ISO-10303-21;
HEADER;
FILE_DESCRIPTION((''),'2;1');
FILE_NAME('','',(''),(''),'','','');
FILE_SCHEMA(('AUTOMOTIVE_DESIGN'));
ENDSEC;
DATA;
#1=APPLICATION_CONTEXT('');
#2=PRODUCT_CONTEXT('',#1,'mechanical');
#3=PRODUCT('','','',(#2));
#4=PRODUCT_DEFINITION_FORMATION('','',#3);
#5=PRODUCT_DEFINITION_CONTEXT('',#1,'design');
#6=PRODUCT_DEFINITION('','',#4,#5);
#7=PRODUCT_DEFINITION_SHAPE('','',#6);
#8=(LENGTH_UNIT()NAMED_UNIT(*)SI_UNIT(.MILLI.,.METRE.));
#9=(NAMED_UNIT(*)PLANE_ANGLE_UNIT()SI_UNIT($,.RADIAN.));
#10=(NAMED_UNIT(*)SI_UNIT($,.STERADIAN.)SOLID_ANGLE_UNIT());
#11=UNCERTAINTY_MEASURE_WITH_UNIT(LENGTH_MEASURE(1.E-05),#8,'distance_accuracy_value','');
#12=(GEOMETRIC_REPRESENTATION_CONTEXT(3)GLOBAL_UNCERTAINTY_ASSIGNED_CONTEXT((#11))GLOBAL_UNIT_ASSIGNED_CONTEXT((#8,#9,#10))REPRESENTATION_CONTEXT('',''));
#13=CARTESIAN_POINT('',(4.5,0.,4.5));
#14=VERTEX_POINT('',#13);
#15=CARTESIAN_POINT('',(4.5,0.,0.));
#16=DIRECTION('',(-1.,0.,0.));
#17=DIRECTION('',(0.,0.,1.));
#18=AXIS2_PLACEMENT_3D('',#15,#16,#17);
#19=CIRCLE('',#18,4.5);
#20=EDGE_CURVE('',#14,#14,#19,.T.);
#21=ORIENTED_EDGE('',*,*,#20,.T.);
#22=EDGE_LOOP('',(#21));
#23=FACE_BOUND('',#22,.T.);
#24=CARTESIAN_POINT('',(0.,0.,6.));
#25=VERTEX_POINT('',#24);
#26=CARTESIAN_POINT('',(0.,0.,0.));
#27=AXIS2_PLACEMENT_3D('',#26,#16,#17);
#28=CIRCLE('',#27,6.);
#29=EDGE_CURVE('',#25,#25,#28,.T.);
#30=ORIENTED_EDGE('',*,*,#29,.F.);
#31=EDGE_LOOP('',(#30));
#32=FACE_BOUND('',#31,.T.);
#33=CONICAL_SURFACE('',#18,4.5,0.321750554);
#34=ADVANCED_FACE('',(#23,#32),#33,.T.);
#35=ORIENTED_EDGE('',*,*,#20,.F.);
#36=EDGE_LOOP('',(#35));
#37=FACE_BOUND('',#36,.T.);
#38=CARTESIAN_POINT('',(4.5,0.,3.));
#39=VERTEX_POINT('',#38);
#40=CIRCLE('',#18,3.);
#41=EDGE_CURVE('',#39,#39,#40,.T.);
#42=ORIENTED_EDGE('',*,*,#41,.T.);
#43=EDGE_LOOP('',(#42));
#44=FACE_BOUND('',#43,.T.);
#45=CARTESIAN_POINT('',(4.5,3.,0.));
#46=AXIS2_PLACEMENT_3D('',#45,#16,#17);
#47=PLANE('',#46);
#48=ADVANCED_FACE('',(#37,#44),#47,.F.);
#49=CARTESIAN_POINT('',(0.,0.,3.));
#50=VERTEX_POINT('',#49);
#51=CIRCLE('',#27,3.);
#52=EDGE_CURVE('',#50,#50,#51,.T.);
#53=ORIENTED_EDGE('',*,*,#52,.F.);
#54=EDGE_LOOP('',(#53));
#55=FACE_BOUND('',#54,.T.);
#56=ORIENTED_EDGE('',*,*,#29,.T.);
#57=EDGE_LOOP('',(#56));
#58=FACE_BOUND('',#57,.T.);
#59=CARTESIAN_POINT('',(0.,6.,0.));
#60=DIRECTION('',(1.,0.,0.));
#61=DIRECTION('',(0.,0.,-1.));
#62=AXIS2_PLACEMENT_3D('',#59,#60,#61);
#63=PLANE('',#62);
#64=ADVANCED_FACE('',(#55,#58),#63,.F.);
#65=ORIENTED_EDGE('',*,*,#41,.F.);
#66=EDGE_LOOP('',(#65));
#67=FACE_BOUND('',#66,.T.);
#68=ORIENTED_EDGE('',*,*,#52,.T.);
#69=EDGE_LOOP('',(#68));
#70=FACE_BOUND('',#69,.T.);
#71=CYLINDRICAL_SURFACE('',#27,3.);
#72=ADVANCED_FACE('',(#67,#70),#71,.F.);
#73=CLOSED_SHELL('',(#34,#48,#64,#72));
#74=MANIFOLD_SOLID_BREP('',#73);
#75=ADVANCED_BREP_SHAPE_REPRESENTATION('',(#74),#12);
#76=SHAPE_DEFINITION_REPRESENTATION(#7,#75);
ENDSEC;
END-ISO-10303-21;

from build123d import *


with BuildPart() as part:
    # Szkic1 → Obrót1 (revolve)
    with BuildSketch(Plane.XY):
        Polygon((0, 3), (4.5, 3), (4.5, 4.5), (0, 6), align=None)
    revolve(axis=Axis((0, 0, 0), (1, 0, 0)))


solid = part.part
